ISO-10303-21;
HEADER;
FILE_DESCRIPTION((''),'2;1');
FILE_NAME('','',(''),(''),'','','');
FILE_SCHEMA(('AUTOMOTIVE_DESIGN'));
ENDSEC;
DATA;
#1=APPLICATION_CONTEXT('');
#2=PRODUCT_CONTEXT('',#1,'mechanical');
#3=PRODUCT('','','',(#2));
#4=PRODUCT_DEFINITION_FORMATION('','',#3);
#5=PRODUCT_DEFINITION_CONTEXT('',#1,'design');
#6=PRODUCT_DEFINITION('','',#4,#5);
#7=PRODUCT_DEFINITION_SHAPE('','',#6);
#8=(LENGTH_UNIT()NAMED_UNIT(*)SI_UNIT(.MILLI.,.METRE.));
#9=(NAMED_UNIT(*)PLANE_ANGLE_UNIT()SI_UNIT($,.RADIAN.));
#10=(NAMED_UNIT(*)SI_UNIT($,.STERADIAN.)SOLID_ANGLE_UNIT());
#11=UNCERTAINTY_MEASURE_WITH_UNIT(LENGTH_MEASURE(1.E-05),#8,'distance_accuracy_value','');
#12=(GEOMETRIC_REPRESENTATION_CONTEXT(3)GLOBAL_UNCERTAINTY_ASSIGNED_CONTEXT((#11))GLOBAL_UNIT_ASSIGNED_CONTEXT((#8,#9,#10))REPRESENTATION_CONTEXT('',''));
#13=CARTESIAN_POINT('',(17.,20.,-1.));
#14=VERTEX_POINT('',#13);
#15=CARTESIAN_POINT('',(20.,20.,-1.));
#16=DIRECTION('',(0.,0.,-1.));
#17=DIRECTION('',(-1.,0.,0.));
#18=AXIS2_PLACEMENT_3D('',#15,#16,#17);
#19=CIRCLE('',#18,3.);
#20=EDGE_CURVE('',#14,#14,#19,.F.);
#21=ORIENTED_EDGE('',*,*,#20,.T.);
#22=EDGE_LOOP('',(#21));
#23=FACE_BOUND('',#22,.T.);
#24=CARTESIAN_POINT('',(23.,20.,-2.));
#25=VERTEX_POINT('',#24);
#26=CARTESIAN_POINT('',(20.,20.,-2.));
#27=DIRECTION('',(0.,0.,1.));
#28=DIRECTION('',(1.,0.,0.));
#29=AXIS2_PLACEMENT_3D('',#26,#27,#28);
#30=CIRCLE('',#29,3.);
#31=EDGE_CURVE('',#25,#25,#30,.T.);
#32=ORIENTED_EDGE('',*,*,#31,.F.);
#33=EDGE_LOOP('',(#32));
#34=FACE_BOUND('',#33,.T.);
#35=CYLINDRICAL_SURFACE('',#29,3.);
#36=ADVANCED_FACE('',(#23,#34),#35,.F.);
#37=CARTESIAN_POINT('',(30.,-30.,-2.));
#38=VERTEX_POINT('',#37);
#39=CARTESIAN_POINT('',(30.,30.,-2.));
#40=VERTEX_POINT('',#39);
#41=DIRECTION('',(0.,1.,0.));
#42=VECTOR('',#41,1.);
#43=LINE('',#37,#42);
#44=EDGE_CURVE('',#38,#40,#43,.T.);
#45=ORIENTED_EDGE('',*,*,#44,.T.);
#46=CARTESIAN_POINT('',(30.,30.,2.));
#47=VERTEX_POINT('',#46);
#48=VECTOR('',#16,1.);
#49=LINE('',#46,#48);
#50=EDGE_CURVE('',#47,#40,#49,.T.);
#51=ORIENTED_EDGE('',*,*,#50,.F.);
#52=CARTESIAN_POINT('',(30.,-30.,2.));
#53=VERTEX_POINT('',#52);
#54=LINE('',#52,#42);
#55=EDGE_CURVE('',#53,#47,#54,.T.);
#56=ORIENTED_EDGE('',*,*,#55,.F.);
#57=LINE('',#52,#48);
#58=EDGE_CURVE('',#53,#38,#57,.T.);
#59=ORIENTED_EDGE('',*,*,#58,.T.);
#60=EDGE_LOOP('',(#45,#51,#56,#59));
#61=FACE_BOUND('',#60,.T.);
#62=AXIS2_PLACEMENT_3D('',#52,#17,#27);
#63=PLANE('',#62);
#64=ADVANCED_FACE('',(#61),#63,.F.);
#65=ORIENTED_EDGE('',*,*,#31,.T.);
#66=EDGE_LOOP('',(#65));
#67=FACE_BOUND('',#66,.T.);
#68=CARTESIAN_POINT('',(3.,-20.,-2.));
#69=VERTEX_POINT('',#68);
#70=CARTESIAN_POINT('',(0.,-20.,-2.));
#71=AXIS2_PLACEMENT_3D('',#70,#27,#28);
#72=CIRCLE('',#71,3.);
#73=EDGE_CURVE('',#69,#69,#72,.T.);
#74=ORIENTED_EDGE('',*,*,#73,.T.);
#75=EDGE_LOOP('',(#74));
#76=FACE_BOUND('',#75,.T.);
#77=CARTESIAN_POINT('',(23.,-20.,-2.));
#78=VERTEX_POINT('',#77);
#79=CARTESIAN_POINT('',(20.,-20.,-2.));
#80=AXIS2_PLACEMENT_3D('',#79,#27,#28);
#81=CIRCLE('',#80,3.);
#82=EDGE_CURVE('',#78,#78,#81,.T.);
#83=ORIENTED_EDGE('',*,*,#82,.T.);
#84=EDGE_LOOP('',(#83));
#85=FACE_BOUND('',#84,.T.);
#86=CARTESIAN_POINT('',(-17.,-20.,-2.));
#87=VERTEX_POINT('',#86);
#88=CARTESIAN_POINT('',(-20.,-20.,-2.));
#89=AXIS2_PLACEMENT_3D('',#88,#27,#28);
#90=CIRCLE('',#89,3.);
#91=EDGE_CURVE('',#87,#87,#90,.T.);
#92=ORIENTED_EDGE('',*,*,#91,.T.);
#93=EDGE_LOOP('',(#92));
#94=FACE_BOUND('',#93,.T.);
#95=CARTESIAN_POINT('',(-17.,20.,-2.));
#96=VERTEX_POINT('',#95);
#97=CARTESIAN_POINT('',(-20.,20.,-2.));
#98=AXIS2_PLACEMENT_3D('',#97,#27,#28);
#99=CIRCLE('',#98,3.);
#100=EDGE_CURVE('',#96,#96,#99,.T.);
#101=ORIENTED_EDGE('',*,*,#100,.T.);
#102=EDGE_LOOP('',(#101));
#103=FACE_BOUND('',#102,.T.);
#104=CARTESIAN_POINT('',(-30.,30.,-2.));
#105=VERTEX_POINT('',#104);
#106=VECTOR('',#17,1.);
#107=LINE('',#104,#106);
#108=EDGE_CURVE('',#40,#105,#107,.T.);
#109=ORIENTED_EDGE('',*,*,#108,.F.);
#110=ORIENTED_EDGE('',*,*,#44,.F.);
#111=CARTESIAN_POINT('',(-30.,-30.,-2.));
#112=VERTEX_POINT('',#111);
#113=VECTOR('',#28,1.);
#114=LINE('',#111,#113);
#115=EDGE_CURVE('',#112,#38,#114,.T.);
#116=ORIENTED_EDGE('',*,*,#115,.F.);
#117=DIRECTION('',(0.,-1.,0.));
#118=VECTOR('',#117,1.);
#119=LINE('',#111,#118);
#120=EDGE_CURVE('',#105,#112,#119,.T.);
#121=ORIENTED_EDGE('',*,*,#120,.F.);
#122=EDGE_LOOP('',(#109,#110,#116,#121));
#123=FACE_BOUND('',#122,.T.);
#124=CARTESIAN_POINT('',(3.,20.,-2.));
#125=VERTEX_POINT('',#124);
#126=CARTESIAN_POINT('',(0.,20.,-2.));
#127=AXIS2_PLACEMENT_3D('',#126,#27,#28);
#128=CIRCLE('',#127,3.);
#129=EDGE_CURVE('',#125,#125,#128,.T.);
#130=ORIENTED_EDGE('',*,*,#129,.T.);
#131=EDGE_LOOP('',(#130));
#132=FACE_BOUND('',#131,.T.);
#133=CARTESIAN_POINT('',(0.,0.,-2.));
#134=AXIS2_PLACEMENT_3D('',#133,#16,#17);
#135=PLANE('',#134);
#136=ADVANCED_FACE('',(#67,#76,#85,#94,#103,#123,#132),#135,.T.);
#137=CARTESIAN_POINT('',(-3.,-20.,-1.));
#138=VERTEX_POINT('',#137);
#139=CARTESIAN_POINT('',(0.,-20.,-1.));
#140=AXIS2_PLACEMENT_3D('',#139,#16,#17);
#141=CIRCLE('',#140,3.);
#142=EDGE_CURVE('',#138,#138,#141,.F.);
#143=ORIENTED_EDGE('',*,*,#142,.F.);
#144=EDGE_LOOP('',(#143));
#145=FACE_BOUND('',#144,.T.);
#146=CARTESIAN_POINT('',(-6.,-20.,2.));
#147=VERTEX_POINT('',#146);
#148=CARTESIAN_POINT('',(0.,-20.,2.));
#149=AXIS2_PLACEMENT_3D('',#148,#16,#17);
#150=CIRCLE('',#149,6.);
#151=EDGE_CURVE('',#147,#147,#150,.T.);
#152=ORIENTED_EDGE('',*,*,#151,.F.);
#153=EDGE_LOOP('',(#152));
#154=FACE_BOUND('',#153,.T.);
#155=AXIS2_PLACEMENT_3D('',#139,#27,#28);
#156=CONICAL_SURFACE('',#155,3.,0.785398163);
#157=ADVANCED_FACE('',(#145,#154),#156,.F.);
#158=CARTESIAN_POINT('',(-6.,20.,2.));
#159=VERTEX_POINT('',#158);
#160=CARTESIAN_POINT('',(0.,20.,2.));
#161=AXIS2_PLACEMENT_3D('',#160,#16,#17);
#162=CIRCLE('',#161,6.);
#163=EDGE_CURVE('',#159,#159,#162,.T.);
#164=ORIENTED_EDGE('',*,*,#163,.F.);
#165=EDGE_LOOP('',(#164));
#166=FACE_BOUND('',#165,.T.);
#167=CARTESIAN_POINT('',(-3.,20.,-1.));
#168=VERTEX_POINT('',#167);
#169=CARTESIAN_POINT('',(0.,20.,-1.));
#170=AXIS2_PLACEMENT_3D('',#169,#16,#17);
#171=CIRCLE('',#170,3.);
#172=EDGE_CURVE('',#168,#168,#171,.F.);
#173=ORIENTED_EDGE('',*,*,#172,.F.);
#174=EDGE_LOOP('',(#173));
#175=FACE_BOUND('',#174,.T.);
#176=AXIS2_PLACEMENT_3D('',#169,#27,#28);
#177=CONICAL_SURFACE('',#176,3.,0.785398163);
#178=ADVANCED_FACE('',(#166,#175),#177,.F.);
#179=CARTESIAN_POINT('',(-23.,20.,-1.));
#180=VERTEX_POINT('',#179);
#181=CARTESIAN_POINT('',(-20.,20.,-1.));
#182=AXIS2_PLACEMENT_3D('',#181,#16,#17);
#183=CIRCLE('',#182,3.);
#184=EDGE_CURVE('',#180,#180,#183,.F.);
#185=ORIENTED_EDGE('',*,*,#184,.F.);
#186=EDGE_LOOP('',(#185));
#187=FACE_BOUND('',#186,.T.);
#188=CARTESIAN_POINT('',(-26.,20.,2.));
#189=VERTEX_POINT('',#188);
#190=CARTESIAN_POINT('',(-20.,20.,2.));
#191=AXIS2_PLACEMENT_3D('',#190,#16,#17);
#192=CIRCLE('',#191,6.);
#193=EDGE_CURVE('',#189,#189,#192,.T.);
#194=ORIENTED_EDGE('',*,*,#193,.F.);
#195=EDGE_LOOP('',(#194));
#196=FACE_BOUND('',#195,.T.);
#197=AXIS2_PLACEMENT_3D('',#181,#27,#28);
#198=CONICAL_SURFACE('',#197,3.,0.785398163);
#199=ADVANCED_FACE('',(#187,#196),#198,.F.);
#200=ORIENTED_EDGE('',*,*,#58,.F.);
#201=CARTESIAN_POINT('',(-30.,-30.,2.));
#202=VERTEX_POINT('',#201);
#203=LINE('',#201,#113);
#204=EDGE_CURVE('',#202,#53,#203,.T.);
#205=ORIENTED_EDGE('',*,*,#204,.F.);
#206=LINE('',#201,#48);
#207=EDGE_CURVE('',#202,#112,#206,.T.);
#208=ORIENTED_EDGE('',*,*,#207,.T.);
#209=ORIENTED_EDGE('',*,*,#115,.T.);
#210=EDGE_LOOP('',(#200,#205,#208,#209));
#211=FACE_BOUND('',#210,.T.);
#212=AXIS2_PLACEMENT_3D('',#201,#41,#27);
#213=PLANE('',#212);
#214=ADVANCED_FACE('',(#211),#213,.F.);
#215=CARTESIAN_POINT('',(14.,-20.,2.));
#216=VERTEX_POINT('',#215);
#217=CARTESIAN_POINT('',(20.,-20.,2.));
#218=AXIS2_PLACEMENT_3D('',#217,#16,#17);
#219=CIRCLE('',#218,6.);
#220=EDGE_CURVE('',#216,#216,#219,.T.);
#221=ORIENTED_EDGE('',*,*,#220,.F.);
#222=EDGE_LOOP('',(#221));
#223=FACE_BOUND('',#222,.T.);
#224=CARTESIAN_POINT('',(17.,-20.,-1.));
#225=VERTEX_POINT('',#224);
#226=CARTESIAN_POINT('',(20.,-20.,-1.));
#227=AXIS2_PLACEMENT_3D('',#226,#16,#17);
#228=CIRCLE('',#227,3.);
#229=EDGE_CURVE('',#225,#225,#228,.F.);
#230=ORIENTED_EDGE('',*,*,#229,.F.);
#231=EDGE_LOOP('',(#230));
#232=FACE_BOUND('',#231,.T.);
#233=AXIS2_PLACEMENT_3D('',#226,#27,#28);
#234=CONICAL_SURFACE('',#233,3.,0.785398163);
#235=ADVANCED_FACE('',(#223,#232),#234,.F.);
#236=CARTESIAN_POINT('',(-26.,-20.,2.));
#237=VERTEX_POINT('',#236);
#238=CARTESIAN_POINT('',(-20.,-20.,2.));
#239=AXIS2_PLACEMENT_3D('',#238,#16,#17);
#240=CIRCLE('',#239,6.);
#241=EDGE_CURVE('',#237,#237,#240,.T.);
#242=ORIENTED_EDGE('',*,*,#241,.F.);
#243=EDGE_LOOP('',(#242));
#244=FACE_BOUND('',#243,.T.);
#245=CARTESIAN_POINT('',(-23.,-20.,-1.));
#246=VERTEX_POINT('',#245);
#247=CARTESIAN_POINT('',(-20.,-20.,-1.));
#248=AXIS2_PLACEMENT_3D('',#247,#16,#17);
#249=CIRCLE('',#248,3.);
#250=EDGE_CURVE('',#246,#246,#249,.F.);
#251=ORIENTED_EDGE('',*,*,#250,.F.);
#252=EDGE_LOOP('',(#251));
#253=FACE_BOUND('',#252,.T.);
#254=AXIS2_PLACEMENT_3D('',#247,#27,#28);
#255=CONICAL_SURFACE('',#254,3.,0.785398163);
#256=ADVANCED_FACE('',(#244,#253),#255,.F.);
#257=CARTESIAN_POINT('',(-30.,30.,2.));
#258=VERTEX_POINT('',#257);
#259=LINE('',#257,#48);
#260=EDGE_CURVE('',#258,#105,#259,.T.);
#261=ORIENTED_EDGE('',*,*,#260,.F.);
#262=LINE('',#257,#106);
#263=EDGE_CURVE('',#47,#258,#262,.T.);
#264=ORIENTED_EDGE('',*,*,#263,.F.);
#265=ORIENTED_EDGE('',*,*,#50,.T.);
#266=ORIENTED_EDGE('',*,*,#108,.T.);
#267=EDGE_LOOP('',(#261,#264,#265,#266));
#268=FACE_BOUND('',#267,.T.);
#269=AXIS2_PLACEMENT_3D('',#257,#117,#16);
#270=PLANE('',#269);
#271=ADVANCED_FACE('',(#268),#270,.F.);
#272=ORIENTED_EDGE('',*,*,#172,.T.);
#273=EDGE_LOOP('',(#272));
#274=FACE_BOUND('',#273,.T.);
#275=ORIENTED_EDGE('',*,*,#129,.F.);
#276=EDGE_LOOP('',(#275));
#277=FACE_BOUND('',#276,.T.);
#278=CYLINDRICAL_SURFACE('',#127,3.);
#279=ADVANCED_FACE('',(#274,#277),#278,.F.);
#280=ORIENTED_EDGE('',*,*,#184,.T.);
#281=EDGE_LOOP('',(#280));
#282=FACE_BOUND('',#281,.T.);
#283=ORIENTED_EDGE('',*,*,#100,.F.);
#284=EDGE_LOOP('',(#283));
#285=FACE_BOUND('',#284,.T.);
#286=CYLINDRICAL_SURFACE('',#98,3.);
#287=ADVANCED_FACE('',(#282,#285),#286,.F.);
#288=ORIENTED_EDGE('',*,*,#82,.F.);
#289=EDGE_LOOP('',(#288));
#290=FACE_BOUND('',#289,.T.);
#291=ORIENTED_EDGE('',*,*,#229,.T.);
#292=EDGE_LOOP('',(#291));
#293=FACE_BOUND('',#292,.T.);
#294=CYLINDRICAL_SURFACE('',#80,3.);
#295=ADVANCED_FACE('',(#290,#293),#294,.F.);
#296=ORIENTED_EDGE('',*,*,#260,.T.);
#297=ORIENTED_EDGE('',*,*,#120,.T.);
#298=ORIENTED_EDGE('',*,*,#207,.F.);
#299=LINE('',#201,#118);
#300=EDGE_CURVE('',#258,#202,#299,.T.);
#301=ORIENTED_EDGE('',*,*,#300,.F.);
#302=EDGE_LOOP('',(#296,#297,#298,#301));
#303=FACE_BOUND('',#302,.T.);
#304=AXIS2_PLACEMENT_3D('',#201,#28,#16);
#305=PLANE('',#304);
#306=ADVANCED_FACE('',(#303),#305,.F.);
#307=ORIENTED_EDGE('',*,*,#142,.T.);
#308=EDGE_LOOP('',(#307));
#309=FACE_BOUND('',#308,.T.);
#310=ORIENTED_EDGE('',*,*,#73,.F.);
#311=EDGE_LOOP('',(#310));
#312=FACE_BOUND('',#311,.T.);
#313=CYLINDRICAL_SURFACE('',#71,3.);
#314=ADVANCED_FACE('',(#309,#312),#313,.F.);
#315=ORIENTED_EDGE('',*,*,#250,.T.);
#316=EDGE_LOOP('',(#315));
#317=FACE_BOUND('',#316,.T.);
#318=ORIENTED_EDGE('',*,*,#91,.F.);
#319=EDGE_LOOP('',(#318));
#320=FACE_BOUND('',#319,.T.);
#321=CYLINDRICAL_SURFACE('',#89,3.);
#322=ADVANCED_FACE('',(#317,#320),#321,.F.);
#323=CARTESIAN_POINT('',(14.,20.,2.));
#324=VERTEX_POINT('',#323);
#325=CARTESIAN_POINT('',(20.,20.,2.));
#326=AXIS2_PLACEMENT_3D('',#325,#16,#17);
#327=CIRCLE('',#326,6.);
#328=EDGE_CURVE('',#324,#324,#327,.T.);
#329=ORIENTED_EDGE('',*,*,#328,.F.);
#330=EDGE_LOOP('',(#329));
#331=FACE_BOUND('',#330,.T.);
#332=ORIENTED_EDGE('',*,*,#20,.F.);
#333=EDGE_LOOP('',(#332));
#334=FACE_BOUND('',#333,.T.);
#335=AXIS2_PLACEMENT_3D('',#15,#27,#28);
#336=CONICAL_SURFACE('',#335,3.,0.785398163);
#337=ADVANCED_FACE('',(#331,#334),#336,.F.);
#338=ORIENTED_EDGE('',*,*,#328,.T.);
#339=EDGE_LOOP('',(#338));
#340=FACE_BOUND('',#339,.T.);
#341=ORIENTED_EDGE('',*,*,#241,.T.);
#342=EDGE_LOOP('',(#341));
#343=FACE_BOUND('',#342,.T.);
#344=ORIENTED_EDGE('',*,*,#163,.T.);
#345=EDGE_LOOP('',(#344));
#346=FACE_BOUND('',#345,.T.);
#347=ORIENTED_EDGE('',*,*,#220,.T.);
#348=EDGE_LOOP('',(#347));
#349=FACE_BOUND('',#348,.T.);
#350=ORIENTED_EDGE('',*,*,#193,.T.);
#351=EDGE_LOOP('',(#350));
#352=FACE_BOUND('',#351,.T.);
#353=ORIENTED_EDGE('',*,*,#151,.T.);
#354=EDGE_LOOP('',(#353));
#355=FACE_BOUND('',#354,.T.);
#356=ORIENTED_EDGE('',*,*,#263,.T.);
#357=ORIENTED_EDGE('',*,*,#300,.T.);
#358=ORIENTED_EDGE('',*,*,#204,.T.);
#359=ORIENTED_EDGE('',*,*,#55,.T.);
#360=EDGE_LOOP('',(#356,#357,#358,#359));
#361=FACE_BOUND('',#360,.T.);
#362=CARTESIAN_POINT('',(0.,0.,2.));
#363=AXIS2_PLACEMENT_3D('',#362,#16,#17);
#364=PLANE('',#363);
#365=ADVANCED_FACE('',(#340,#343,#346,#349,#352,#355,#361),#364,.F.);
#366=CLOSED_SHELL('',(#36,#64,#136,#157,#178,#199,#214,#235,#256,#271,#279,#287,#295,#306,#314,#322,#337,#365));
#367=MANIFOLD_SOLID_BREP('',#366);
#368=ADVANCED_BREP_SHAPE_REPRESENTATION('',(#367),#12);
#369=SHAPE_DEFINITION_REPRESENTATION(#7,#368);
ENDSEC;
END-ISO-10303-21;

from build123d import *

# Parameters (mm, degrees)
SKETCH1_W           = 60
SKETCH1_H           = 60
BOSS_EXTRUDE1_DEPTH = 2
SKETCH2_R           = 3
CUT_EXTRUDE1_DEPTH  = 5
CHAMFER1_SIZE       = 3


with BuildPart() as part:
    # Sketch1 → Boss-Extrude1 (new body, symmetric)
    with BuildSketch(Plane.XY):
        Rectangle(SKETCH1_W, SKETCH1_H)
    extrude(amount=BOSS_EXTRUDE1_DEPTH, both=True)

    # Sketch2 → Cut-Extrude1 (cut, through all)
    with BuildSketch(Plane.XY.offset(2)):
        with Locations((0, 20)):
            Circle(SKETCH2_R)
        with Locations((0, -20)):
            Circle(SKETCH2_R)
        with Locations((20, -20)):
            Circle(SKETCH2_R)
        with Locations((-20, -20)):
            Circle(SKETCH2_R)
        with Locations((-20, 20)):
            Circle(SKETCH2_R)
        with Locations((20, 20)):
            Circle(SKETCH2_R)
    extrude(amount=-CUT_EXTRUDE1_DEPTH, mode=Mode.SUBTRACT)

    # Chamfer1
    chamfer1_edges = [part.edges().sort_by_distance(p)[0] for p in [
        (-3, -20, 2),
        (17, -20, 2),
        (-23, -20, 2),
        (-23, 20, 2),
        (17, 20, 2),
        (-3, 20, 2),
    ]]
    chamfer(chamfer1_edges, length=CHAMFER1_SIZE)


solid = part.part
